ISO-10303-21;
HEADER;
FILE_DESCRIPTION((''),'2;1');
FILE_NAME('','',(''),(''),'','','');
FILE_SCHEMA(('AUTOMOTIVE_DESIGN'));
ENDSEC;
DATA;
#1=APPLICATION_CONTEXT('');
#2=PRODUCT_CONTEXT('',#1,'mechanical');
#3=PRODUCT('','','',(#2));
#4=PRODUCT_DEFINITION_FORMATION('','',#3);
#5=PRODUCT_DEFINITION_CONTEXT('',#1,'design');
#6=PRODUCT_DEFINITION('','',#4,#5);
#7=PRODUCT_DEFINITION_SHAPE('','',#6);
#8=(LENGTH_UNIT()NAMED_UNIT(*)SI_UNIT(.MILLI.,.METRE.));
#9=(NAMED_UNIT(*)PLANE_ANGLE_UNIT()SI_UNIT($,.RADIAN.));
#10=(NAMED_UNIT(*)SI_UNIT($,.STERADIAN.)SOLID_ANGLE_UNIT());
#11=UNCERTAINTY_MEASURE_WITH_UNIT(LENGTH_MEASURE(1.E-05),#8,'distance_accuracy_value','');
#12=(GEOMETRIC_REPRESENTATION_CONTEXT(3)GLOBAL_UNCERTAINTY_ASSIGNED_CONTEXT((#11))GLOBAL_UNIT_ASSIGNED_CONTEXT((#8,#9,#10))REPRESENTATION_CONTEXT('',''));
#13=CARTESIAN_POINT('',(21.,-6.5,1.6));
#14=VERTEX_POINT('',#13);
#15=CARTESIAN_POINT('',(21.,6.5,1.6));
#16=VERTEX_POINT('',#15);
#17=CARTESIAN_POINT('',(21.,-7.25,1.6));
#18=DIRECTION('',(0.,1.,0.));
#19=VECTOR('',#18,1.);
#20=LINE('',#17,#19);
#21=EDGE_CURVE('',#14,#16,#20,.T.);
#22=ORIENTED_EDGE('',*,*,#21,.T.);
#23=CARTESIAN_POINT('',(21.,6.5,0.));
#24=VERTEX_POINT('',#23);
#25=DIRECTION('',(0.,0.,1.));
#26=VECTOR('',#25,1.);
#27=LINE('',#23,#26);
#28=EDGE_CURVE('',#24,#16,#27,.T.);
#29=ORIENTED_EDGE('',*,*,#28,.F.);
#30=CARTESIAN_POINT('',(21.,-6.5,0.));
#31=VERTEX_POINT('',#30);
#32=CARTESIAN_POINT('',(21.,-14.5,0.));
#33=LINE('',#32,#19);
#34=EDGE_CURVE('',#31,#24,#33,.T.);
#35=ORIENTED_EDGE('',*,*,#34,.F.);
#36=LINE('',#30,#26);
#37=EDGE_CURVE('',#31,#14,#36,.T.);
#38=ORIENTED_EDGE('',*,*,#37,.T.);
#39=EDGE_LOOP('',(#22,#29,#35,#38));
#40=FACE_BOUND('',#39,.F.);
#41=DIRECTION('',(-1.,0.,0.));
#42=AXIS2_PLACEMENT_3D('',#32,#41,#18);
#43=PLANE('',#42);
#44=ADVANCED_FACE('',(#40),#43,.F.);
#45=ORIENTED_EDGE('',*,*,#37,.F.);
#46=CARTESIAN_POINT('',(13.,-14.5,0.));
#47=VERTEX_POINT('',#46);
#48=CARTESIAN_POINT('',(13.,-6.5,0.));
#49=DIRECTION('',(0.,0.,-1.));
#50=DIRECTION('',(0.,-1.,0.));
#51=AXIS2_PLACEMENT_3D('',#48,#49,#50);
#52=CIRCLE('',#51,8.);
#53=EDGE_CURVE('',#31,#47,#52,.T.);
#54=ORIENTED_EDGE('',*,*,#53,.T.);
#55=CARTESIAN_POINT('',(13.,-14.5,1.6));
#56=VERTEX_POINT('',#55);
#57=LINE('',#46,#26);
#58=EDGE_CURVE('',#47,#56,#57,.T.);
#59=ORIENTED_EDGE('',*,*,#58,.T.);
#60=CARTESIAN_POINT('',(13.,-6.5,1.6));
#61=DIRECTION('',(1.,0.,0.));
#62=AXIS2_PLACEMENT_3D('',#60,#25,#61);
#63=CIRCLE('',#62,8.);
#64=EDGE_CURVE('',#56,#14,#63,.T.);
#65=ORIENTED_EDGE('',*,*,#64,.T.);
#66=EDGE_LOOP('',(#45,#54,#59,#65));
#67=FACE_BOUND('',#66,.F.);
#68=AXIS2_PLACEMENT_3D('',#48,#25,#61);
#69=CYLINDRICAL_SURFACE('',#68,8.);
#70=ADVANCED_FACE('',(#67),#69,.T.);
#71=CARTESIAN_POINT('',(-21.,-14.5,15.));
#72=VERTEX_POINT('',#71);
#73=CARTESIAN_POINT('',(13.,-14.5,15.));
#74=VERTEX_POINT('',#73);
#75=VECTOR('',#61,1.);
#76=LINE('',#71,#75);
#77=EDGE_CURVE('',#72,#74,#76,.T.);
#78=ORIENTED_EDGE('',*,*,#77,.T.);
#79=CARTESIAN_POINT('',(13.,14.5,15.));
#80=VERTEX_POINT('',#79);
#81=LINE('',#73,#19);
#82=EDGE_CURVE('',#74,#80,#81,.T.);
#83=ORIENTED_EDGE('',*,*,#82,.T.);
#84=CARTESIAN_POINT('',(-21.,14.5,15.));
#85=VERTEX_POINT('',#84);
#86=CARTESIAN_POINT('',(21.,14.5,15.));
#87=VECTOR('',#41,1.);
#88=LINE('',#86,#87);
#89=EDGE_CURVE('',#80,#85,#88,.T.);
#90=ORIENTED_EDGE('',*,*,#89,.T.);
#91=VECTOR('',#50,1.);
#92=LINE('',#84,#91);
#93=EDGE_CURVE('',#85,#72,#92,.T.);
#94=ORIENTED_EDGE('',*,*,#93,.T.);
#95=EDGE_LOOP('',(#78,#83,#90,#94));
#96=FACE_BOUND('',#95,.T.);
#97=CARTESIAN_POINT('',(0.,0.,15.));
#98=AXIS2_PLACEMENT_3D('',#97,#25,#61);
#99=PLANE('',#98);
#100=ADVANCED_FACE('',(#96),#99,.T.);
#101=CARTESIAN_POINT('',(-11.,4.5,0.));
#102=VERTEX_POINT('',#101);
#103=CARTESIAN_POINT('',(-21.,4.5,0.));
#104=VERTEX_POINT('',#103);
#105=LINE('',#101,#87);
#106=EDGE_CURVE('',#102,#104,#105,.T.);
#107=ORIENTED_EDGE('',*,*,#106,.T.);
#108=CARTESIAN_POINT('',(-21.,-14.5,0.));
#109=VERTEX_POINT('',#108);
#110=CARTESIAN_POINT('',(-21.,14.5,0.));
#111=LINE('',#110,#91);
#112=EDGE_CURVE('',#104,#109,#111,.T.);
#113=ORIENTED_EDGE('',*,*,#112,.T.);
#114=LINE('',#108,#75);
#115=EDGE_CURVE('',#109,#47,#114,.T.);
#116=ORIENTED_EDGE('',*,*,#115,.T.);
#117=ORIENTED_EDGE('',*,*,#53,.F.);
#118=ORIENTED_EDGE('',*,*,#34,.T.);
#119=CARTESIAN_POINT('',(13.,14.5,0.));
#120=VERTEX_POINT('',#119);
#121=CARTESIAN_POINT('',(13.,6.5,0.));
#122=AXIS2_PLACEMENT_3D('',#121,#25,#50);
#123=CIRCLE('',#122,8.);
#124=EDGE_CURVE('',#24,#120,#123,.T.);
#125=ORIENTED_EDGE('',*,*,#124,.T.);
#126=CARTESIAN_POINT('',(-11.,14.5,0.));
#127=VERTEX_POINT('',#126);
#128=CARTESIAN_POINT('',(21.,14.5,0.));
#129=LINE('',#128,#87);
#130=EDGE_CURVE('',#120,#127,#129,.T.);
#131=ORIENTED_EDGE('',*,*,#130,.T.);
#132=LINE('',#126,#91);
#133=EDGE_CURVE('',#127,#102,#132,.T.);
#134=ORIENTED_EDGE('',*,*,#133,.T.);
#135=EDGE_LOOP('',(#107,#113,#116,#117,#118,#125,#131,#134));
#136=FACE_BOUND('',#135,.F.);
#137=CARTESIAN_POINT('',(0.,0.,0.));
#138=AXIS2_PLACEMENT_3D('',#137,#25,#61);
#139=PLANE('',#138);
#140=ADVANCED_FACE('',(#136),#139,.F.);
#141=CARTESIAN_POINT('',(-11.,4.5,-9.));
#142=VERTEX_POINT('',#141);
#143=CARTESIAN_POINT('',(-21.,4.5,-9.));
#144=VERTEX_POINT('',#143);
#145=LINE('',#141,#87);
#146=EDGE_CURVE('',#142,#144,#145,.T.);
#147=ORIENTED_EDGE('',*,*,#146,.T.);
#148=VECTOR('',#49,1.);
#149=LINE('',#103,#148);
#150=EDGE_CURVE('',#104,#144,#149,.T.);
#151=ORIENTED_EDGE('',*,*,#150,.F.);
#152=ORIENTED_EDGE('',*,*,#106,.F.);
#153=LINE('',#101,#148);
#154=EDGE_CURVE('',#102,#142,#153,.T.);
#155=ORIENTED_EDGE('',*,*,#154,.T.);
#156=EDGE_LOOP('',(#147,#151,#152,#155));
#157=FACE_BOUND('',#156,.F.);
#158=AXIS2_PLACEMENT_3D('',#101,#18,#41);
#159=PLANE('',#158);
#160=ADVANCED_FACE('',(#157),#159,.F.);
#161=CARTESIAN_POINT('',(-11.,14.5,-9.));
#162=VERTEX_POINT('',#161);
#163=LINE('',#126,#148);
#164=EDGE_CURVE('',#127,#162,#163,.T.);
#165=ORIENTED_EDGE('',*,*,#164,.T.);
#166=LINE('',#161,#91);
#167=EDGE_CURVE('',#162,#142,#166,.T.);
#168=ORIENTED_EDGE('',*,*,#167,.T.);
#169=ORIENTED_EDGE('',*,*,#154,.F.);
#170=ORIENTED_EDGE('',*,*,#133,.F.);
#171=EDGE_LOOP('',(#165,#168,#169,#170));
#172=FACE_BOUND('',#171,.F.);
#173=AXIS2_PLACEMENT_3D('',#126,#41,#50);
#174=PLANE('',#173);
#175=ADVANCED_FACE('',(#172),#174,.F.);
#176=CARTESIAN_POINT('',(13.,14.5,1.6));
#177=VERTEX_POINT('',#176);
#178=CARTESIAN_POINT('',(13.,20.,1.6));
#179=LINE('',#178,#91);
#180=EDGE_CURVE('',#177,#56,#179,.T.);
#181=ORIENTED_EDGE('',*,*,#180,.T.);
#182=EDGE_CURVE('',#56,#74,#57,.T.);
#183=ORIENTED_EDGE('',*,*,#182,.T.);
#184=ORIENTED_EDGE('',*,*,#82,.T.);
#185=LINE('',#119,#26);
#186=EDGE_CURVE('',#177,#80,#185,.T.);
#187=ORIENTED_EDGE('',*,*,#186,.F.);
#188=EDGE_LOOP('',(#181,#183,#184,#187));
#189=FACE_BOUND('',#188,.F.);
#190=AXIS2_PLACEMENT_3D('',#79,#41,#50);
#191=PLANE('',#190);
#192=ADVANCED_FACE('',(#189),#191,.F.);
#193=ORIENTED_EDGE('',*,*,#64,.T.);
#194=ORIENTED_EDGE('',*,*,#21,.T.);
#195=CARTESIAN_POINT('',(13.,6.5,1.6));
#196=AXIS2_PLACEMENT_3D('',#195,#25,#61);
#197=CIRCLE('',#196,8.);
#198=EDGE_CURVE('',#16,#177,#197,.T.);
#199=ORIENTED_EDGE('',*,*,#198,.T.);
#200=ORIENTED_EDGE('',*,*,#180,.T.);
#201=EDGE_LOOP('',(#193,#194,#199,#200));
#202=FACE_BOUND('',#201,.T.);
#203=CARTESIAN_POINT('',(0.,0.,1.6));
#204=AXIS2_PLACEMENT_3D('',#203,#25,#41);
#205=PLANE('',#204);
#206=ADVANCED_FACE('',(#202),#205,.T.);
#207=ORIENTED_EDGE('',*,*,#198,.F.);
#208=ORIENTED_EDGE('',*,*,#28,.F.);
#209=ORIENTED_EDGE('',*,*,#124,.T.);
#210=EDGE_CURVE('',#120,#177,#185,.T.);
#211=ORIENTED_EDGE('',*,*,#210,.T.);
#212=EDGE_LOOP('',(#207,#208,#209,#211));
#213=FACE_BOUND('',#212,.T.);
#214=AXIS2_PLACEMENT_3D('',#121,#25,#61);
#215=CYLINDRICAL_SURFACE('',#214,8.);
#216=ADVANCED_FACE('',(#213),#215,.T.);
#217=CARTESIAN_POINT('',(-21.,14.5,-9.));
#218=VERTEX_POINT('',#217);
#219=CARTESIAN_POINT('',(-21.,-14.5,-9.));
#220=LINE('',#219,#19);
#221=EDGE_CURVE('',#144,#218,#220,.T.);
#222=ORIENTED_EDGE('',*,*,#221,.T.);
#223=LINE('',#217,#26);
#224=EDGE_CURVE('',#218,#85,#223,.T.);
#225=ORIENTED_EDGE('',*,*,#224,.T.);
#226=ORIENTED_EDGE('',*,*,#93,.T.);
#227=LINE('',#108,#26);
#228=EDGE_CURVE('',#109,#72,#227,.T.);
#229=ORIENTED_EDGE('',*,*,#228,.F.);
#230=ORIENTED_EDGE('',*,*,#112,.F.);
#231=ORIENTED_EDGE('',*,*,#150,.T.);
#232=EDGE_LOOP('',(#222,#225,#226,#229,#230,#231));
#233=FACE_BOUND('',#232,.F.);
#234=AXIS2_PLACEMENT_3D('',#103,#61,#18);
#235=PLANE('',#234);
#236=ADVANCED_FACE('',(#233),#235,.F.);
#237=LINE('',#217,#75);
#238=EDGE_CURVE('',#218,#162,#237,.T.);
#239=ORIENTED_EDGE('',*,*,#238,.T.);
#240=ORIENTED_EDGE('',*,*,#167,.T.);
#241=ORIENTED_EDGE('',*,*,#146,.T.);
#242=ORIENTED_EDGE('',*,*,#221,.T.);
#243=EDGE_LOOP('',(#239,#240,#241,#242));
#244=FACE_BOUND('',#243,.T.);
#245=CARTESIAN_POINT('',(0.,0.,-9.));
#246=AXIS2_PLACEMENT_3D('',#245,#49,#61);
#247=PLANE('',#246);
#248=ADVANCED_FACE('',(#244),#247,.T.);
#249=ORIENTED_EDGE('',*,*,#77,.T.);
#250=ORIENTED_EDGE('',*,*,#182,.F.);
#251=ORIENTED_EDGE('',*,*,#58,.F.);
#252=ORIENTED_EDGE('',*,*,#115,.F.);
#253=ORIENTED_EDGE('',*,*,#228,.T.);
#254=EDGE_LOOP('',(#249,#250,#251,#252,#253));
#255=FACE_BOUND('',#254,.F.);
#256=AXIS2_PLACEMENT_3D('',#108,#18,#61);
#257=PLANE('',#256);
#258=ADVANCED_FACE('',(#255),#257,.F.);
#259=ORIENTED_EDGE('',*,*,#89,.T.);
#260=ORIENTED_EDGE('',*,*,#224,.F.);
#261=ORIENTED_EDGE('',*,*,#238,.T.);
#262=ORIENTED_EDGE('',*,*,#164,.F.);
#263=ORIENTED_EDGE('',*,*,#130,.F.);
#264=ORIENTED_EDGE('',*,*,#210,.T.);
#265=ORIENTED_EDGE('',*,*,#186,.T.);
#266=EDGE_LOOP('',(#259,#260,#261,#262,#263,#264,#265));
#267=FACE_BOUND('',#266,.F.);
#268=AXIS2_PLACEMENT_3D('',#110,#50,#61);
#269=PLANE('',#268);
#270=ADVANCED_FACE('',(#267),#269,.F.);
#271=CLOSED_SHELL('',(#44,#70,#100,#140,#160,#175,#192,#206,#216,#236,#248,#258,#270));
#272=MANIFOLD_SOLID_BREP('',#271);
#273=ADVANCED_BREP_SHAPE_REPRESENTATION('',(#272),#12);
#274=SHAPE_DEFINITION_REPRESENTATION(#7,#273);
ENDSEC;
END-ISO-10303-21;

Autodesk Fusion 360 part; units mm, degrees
sketch "Sketch1" plane through (0, 0, 0) normal (0, 0, 1) x (1, 0, 0)
  line L0 (21, 14.5) -> (-21, 14.5)
  line L1 (-21, 14.5) -> (-21, -14.5)
  line L2 (-21, -14.5) -> (21, -14.5)
  line L3 (21, -14.5) -> (21, 14.5)
  line L4 (21, 14.5) -> (-21, -14.5) construction
  line L5 (-21, 14.5) -> (21, -14.5) construction
  dimension "d1" = 42
  dimension "d2" = 29
extrude "Extrude1" add sketch "Sketch1" along normal blind 15
fillet "Fillet1" radius 8 2 edges at (21, -14.5, 7.5) (21, 14.5, 7.5)
sketch "Sketch2" plane through (0, 0, 0) normal (0, 0, -1) x (1, 0, 0)
  arc A0 (13, -14.5) -> (21, -6.5) centre (13, -6.5) ccw
  line L0 (21, -6.5) -> (21, 6.5)
  arc A1 (21, 6.5) -> (13, 14.5) centre (13, 6.5) ccw
  line L1 (13, 14.5) -> (-21, 14.5)
  line L2 (-21, 14.5) -> (-21, -14.5)
  line L3 (-21, -14.5) -> (13, -14.5)
  line L4 (-21, -14.5) -> (-11, -14.5)
  line L5 (-11, -14.5) -> (-11, -4.5)
  line L6 (-11, -4.5) -> (-21, -4.5)
  line L7 (-21, -4.5) -> (-21, -14.5)
  dimension "d6" = 10
  dimension "d7" = 10
extrude "Extrude2" add sketch "Sketch2" along normal blind 9 contours L2 L3 L4 L5 L6 L7
sketch "Sketch3" plane through (0, 0, 0) normal (0, 0, -1) x (1, 0, 0)
  line L0 (-11, -4.5) -> (-11, -14.5)
  line L1 (-11, -14.5) -> (13, -14.5)
  arc A0 (13, -14.5) -> (21, -6.5) centre (13, -6.5) ccw
  line L2 (21, -6.5) -> (21, 6.5)
  arc A1 (21, 6.5) -> (13, 14.5) centre (13, 6.5) ccw
  line L3 (13, 14.5) -> (-21, 14.5)
  line L4 (-21, 14.5) -> (-21, -4.5)
  line L5 (-21, -4.5) -> (-11, -4.5)
  line L6 (-14.2092, -3.0986) -> (16.0935, -3.0986) construction
  line L7 (16.0935, -3.0986) -> (16.0935, 6.9014) construction
  line L8 (16.0935, 6.9014) -> (-14.2092, 6.9014) construction
  line L9 (-14.2092, 6.9014) -> (-14.2092, -3.0986) construction
sketch "Sketch4" plane through (0, 0, 15) normal (0, 0, 1) x (-1, 0, 0)
  arc A0 (-21, -6.5) -> (-13, -14.5) centre (-13, -6.5) ccw
  line L0 (-13, -14.5) -> (21, -14.5)
  line L1 (21, -14.5) -> (21, 14.5)
  line L2 (21, 14.5) -> (-13, 14.5)
  arc A1 (-13, 14.5) -> (-21, 6.5) centre (-13, 6.5) ccw
  line L3 (-21, 6.5) -> (-21, -6.5)
  line L4 (-13, 14.5) -> (-29, 14.5)
  line L5 (-29, 14.5) -> (-29, -20)
  line L6 (-29, -20) -> (-13, -20)
  line L7 (-13, -20) -> (-13, 14.5)
extrude "Extrude3" cut sketch "Sketch4" against normal blind 13.4 contours A0 A1 L3 L7 | A0 A1 L3 L4 L5 L6 L7
equation "d10 = -15 mm + 1.6 mm"
